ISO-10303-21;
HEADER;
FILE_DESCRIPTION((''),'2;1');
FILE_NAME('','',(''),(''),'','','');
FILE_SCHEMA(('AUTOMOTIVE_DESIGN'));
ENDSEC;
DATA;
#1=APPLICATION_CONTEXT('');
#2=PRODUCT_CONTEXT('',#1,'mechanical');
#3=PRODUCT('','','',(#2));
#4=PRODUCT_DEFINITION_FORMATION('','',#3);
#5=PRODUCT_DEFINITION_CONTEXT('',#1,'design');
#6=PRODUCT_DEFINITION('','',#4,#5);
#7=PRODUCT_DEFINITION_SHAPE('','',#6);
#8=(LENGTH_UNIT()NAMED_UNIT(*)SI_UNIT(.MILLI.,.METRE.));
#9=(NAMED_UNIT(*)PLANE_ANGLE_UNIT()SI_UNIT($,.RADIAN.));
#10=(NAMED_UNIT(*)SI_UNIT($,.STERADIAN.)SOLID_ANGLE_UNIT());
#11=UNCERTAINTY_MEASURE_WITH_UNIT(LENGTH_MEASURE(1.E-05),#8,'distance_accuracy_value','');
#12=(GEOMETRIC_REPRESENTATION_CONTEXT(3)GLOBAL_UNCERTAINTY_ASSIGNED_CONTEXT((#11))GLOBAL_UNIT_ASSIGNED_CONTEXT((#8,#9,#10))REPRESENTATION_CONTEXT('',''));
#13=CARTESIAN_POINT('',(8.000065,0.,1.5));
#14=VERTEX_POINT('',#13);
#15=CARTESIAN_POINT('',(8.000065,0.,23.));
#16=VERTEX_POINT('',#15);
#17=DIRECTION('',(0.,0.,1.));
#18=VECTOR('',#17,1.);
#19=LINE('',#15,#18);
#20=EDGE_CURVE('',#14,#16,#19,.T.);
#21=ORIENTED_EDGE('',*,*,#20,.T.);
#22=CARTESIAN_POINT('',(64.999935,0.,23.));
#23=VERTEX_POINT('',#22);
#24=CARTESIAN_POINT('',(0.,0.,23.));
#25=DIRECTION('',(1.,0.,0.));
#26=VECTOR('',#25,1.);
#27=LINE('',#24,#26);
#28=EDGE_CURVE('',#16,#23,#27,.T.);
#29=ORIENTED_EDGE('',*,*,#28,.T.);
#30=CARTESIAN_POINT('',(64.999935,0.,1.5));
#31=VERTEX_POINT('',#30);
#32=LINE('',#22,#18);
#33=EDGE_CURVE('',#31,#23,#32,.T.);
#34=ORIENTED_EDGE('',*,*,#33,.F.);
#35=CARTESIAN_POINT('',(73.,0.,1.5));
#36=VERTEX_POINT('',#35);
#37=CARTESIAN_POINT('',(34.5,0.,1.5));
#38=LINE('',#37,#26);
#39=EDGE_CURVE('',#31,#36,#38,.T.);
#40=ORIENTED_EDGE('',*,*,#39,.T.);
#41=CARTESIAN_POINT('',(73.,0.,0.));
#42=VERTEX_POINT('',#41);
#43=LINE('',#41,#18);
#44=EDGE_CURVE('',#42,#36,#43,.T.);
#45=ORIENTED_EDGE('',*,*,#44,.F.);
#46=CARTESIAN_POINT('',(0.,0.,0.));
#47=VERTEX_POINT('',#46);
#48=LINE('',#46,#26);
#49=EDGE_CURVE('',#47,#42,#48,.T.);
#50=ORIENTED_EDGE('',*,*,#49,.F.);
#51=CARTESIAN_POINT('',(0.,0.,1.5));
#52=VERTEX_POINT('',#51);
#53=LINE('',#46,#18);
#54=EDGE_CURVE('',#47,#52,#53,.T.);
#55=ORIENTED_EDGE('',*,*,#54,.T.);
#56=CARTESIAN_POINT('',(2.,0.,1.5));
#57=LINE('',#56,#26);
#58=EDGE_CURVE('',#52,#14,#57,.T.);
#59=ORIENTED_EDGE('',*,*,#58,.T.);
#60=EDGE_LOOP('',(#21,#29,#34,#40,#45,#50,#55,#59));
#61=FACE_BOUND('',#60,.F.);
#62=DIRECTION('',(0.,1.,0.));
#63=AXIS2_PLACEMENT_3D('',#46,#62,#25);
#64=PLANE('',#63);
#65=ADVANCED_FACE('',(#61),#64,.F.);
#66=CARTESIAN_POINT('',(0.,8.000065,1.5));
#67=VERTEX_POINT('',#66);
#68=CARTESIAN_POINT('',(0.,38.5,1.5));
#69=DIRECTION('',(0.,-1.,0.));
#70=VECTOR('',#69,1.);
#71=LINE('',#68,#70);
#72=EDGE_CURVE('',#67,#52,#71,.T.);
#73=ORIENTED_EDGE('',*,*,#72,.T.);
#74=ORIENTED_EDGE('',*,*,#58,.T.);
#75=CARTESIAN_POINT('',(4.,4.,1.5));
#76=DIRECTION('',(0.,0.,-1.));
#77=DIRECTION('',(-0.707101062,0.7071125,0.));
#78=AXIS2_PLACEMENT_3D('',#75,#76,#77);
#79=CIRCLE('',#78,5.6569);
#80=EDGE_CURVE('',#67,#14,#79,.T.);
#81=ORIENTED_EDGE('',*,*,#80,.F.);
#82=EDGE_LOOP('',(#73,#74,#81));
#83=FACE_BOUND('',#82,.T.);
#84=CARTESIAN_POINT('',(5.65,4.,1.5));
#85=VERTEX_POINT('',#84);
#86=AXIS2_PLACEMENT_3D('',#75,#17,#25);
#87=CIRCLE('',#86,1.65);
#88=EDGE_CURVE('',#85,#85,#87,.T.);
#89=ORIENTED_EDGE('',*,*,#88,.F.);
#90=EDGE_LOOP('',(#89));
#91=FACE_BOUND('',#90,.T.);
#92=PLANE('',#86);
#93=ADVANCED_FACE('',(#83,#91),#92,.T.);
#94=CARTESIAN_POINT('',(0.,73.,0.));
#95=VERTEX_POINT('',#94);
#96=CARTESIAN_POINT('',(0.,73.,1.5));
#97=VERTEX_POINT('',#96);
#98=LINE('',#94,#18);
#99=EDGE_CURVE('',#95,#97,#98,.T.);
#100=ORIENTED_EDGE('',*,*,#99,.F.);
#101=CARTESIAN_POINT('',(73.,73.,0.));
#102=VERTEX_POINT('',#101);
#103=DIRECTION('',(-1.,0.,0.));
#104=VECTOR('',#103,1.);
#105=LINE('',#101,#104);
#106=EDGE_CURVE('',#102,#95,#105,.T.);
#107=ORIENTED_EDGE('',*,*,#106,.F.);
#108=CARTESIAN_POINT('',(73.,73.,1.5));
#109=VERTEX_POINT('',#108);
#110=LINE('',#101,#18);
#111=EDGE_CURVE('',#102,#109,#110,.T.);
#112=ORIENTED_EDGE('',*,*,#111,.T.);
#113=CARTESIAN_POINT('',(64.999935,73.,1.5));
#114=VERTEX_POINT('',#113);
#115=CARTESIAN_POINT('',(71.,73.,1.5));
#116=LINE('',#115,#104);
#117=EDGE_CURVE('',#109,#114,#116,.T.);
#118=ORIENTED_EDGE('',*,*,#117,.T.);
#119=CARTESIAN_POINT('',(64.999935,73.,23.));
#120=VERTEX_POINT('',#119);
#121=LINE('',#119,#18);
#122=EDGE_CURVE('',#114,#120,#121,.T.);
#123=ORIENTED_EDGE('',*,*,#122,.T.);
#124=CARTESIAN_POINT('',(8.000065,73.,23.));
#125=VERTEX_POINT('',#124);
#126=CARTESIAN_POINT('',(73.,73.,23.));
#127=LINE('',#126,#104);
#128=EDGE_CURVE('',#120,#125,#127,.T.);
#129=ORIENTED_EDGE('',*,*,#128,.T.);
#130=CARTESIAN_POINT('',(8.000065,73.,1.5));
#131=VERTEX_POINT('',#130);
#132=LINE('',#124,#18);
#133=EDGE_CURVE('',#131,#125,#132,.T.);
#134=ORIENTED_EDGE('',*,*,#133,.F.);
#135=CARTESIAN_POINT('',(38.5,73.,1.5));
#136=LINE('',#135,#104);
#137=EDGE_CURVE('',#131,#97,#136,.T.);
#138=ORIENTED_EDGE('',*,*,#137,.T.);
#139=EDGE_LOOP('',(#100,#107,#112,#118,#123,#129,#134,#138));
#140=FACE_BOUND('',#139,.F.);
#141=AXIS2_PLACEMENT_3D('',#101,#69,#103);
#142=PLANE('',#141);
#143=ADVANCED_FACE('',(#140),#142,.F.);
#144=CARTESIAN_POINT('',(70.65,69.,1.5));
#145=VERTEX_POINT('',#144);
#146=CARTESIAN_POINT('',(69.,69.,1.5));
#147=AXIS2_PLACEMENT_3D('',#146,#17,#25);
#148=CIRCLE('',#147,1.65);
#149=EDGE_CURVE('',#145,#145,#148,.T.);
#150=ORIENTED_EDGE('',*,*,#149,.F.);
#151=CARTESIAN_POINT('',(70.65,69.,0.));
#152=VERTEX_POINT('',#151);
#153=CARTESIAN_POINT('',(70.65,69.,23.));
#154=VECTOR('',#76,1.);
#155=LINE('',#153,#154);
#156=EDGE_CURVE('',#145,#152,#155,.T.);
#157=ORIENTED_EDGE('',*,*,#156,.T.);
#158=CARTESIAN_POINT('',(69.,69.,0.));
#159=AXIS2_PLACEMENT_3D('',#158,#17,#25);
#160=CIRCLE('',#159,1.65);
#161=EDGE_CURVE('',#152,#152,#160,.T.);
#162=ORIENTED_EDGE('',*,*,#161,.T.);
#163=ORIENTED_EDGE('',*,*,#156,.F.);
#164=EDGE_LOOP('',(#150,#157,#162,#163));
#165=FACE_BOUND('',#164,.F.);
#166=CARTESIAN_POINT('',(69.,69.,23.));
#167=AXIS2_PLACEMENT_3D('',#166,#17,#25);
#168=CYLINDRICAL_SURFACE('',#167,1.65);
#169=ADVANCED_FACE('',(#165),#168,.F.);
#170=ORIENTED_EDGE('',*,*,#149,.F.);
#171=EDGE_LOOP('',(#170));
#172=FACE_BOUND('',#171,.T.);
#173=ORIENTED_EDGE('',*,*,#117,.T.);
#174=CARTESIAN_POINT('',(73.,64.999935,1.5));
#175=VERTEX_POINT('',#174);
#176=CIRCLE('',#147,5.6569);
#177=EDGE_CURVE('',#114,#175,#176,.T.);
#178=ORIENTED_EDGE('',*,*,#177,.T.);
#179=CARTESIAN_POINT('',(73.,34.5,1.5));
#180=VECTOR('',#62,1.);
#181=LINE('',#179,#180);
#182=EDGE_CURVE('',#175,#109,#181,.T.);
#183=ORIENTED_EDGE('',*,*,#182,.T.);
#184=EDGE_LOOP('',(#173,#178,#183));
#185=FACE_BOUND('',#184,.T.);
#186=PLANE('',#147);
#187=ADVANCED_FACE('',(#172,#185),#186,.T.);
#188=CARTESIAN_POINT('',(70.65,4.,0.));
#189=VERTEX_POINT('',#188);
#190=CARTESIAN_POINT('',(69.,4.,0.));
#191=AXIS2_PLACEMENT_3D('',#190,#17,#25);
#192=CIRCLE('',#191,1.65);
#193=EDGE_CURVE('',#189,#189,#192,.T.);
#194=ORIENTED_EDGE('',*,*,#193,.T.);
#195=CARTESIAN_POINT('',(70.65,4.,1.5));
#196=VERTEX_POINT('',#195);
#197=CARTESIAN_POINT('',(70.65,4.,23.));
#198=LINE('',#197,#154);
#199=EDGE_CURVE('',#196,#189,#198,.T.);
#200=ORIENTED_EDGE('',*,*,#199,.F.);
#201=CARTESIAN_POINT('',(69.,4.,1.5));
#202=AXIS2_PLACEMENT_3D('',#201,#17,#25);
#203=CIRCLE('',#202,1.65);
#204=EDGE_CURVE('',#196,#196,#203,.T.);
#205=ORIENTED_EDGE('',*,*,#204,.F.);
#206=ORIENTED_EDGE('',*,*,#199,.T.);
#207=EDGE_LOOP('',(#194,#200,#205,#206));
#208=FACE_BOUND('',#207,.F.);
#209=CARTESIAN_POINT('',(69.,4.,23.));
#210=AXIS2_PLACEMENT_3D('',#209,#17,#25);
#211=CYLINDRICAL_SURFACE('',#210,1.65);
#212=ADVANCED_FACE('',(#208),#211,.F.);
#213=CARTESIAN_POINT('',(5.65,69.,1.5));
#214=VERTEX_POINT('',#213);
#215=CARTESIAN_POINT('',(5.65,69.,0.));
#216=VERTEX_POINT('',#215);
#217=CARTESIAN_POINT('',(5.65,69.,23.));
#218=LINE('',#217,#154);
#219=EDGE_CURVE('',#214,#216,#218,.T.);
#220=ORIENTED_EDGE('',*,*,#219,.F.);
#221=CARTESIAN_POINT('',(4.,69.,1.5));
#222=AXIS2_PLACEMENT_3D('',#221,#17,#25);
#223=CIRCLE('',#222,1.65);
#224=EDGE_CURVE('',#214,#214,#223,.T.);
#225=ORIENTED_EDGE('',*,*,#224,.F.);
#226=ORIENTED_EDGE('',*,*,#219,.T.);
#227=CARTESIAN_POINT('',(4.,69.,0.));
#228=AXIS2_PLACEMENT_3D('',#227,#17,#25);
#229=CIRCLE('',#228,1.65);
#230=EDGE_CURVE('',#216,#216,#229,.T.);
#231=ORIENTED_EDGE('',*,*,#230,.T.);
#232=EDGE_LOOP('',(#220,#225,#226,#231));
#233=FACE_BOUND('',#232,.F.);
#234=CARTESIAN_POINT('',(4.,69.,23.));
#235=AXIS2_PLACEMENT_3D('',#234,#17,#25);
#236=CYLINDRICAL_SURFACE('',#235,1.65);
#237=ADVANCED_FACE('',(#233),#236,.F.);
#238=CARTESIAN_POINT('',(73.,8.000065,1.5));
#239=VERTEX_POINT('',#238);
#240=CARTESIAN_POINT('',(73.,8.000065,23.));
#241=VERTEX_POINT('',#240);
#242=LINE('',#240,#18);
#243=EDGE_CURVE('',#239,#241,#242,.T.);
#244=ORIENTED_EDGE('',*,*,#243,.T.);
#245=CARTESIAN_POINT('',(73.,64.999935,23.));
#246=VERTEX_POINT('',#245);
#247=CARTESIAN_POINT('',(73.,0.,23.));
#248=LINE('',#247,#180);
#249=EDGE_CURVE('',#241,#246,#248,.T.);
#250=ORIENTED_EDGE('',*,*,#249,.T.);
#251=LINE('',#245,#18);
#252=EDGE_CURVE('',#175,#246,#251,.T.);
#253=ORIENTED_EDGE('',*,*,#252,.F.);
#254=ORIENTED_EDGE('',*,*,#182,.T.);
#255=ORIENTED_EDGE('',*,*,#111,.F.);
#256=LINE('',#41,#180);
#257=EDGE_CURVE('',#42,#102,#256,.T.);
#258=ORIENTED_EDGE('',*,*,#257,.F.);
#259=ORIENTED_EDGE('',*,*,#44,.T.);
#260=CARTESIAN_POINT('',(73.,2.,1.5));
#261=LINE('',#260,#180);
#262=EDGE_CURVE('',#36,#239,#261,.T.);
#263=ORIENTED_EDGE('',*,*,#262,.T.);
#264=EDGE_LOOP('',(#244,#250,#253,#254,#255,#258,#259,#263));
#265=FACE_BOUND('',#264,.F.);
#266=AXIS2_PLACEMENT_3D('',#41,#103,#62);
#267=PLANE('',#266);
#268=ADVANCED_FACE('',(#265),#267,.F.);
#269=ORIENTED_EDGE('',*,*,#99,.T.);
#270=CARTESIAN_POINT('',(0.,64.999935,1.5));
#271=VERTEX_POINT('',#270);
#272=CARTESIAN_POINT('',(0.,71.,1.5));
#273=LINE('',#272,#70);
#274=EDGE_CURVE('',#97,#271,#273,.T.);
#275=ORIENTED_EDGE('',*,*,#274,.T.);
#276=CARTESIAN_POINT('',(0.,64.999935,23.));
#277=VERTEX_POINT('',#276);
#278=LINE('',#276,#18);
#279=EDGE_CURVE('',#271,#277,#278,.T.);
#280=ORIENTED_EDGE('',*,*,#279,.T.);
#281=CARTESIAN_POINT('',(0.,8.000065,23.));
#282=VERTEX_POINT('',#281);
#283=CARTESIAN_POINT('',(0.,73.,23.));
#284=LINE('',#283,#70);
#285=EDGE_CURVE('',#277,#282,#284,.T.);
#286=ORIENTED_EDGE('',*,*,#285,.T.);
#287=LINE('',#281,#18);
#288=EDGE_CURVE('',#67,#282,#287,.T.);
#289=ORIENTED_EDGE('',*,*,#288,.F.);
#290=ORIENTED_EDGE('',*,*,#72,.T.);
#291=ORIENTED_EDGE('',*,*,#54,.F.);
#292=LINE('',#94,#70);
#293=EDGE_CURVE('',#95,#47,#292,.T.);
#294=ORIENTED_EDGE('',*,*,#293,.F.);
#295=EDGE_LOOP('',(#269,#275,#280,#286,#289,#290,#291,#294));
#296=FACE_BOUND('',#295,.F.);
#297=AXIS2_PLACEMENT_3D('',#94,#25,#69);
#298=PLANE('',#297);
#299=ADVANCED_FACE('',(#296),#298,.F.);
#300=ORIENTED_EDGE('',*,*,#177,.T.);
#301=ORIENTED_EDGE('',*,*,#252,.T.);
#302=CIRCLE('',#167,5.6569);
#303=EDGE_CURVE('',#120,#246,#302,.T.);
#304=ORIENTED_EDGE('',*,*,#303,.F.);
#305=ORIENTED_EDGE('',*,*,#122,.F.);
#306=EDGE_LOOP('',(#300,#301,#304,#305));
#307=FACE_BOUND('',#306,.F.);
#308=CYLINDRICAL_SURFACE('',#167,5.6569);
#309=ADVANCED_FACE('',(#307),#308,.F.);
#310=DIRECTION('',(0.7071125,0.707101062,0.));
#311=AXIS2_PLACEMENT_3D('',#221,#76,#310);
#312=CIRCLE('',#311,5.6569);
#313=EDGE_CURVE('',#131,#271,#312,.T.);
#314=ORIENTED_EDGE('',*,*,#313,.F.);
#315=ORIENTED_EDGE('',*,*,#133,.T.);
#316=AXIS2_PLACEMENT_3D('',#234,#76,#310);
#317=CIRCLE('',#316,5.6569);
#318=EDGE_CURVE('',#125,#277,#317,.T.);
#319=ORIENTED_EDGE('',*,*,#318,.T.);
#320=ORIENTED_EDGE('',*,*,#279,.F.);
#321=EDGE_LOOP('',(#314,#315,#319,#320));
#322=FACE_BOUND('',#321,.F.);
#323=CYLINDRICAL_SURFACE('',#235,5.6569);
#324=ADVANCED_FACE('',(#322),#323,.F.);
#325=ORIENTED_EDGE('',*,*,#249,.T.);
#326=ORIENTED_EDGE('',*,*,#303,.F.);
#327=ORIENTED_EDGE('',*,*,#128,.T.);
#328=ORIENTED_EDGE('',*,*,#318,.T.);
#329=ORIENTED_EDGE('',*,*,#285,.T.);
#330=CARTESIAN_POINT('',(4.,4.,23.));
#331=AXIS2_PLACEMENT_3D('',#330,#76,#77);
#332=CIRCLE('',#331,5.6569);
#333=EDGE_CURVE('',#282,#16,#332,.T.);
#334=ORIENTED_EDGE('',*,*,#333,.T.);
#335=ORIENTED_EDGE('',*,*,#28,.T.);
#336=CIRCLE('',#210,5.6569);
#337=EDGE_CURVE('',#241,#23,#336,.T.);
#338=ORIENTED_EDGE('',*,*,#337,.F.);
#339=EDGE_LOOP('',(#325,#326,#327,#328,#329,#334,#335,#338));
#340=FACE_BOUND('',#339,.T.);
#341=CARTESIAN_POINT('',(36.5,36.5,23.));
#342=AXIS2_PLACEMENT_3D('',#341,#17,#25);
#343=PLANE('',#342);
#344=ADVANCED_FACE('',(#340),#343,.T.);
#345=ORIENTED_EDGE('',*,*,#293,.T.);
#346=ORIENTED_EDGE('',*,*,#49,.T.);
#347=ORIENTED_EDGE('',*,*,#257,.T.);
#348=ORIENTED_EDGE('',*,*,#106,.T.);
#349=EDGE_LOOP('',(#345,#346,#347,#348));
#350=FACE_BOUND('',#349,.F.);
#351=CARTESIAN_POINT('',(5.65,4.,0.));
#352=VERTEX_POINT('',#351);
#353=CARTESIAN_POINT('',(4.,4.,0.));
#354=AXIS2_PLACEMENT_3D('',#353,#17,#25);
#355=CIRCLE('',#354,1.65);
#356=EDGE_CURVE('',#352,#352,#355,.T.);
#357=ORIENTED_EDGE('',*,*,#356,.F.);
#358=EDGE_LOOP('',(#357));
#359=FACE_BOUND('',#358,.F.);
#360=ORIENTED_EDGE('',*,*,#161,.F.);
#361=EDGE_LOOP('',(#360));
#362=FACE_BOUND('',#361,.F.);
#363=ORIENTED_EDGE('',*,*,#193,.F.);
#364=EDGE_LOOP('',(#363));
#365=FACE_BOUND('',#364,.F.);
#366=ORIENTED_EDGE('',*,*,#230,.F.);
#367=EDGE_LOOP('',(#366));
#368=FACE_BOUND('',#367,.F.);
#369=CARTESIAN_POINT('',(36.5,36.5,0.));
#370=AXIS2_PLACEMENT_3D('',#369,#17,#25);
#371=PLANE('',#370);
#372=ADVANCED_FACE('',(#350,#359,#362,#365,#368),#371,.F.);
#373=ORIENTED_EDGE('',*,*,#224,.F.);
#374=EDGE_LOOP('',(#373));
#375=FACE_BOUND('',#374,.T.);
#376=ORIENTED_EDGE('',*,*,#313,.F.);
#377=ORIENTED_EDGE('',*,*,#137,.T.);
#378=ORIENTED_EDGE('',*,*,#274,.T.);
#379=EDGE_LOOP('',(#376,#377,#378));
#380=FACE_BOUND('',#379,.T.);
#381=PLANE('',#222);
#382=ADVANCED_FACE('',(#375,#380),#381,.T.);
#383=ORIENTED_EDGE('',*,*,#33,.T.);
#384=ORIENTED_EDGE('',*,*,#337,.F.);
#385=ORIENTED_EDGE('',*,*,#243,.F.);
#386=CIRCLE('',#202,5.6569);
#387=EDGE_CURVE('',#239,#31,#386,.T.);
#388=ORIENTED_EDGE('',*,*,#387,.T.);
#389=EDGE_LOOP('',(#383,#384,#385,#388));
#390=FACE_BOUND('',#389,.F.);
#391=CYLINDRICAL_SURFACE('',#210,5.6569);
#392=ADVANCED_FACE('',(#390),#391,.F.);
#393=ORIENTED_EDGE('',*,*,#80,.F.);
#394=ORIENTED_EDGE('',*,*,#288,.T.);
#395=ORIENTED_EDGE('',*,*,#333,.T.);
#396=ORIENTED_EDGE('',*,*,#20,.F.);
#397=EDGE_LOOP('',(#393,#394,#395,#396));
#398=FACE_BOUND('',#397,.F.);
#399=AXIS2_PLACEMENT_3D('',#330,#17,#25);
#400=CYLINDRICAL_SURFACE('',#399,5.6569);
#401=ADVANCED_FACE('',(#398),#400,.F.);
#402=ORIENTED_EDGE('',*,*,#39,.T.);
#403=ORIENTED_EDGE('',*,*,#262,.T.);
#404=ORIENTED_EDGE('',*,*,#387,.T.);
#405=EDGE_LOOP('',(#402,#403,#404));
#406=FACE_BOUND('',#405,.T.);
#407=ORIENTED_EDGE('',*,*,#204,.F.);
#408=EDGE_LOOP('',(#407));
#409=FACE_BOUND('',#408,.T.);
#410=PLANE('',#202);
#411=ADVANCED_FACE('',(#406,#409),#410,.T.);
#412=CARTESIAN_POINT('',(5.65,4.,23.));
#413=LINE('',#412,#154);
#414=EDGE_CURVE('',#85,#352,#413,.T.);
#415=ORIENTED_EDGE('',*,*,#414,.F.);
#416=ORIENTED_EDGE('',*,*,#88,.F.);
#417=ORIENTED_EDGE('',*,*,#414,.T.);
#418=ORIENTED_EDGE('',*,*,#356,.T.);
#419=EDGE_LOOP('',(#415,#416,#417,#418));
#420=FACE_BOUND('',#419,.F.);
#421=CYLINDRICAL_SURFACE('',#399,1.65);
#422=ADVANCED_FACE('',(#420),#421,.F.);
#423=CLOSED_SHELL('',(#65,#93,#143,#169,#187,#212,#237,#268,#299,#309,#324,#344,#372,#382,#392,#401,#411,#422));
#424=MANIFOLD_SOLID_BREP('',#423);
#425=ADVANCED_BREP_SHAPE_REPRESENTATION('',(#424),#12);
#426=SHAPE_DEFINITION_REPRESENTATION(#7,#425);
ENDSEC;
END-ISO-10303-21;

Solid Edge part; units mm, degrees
sketch "Sketch1" plane through (0, 0, 0) normal (0, 0, 1) x (1, 0, 0)
  line L0 (0, 0) -> (73, 0)
  line L1 (73, 0) -> (73, 73)
  line L2 (73, 73) -> (0, 73)
  line L3 (0, 73) -> (0, 0)
  dimension "D1" = 73
  dimension "D2" = 73
extrude "Protrusion1" add sketch "Sketch1" along normal blind 23
sketch "Sketch2" plane through (36.5, 36.5, 23) normal (0, 0, 1) x (1, 0, 0)
  circle A0 centre (32.5, 32.5) radius 1.65
  circle A1 centre (32.5, -32.5) radius 1.65
  circle A2 centre (-32.5, -32.5) radius 1.65
  circle A3 centre (-32.5, 32.5) radius 1.65
  dimension "D1" = 3.3
  dimension "D2" = 3.3
  dimension "D3" = 3.3
  dimension "D4" = 3.3
extrude "ExtrudedCutout_1" cut sketch "Sketch2" against normal blind 23
sketch "Sketch3" plane through (36.5, 36.5, 23) normal (0, 0, 1) x (1, 0, 0)
  circle A0 centre (32.5, 32.5) radius 5.6569
  circle A1 centre (-32.5, -32.5) radius 5.6569
  circle A2 centre (32.5, -32.5) radius 5.6569
  circle A3 centre (-32.5, 32.5) radius 5.6569
  dimension "D1" = 11.3137
  dimension "D2" = 11.3137
  dimension "D3" = 11.3137
  dimension "D4" = 11.3137
extrude "ExtrudedCutout_2" cut sketch "Sketch3" against normal blind 21.5
